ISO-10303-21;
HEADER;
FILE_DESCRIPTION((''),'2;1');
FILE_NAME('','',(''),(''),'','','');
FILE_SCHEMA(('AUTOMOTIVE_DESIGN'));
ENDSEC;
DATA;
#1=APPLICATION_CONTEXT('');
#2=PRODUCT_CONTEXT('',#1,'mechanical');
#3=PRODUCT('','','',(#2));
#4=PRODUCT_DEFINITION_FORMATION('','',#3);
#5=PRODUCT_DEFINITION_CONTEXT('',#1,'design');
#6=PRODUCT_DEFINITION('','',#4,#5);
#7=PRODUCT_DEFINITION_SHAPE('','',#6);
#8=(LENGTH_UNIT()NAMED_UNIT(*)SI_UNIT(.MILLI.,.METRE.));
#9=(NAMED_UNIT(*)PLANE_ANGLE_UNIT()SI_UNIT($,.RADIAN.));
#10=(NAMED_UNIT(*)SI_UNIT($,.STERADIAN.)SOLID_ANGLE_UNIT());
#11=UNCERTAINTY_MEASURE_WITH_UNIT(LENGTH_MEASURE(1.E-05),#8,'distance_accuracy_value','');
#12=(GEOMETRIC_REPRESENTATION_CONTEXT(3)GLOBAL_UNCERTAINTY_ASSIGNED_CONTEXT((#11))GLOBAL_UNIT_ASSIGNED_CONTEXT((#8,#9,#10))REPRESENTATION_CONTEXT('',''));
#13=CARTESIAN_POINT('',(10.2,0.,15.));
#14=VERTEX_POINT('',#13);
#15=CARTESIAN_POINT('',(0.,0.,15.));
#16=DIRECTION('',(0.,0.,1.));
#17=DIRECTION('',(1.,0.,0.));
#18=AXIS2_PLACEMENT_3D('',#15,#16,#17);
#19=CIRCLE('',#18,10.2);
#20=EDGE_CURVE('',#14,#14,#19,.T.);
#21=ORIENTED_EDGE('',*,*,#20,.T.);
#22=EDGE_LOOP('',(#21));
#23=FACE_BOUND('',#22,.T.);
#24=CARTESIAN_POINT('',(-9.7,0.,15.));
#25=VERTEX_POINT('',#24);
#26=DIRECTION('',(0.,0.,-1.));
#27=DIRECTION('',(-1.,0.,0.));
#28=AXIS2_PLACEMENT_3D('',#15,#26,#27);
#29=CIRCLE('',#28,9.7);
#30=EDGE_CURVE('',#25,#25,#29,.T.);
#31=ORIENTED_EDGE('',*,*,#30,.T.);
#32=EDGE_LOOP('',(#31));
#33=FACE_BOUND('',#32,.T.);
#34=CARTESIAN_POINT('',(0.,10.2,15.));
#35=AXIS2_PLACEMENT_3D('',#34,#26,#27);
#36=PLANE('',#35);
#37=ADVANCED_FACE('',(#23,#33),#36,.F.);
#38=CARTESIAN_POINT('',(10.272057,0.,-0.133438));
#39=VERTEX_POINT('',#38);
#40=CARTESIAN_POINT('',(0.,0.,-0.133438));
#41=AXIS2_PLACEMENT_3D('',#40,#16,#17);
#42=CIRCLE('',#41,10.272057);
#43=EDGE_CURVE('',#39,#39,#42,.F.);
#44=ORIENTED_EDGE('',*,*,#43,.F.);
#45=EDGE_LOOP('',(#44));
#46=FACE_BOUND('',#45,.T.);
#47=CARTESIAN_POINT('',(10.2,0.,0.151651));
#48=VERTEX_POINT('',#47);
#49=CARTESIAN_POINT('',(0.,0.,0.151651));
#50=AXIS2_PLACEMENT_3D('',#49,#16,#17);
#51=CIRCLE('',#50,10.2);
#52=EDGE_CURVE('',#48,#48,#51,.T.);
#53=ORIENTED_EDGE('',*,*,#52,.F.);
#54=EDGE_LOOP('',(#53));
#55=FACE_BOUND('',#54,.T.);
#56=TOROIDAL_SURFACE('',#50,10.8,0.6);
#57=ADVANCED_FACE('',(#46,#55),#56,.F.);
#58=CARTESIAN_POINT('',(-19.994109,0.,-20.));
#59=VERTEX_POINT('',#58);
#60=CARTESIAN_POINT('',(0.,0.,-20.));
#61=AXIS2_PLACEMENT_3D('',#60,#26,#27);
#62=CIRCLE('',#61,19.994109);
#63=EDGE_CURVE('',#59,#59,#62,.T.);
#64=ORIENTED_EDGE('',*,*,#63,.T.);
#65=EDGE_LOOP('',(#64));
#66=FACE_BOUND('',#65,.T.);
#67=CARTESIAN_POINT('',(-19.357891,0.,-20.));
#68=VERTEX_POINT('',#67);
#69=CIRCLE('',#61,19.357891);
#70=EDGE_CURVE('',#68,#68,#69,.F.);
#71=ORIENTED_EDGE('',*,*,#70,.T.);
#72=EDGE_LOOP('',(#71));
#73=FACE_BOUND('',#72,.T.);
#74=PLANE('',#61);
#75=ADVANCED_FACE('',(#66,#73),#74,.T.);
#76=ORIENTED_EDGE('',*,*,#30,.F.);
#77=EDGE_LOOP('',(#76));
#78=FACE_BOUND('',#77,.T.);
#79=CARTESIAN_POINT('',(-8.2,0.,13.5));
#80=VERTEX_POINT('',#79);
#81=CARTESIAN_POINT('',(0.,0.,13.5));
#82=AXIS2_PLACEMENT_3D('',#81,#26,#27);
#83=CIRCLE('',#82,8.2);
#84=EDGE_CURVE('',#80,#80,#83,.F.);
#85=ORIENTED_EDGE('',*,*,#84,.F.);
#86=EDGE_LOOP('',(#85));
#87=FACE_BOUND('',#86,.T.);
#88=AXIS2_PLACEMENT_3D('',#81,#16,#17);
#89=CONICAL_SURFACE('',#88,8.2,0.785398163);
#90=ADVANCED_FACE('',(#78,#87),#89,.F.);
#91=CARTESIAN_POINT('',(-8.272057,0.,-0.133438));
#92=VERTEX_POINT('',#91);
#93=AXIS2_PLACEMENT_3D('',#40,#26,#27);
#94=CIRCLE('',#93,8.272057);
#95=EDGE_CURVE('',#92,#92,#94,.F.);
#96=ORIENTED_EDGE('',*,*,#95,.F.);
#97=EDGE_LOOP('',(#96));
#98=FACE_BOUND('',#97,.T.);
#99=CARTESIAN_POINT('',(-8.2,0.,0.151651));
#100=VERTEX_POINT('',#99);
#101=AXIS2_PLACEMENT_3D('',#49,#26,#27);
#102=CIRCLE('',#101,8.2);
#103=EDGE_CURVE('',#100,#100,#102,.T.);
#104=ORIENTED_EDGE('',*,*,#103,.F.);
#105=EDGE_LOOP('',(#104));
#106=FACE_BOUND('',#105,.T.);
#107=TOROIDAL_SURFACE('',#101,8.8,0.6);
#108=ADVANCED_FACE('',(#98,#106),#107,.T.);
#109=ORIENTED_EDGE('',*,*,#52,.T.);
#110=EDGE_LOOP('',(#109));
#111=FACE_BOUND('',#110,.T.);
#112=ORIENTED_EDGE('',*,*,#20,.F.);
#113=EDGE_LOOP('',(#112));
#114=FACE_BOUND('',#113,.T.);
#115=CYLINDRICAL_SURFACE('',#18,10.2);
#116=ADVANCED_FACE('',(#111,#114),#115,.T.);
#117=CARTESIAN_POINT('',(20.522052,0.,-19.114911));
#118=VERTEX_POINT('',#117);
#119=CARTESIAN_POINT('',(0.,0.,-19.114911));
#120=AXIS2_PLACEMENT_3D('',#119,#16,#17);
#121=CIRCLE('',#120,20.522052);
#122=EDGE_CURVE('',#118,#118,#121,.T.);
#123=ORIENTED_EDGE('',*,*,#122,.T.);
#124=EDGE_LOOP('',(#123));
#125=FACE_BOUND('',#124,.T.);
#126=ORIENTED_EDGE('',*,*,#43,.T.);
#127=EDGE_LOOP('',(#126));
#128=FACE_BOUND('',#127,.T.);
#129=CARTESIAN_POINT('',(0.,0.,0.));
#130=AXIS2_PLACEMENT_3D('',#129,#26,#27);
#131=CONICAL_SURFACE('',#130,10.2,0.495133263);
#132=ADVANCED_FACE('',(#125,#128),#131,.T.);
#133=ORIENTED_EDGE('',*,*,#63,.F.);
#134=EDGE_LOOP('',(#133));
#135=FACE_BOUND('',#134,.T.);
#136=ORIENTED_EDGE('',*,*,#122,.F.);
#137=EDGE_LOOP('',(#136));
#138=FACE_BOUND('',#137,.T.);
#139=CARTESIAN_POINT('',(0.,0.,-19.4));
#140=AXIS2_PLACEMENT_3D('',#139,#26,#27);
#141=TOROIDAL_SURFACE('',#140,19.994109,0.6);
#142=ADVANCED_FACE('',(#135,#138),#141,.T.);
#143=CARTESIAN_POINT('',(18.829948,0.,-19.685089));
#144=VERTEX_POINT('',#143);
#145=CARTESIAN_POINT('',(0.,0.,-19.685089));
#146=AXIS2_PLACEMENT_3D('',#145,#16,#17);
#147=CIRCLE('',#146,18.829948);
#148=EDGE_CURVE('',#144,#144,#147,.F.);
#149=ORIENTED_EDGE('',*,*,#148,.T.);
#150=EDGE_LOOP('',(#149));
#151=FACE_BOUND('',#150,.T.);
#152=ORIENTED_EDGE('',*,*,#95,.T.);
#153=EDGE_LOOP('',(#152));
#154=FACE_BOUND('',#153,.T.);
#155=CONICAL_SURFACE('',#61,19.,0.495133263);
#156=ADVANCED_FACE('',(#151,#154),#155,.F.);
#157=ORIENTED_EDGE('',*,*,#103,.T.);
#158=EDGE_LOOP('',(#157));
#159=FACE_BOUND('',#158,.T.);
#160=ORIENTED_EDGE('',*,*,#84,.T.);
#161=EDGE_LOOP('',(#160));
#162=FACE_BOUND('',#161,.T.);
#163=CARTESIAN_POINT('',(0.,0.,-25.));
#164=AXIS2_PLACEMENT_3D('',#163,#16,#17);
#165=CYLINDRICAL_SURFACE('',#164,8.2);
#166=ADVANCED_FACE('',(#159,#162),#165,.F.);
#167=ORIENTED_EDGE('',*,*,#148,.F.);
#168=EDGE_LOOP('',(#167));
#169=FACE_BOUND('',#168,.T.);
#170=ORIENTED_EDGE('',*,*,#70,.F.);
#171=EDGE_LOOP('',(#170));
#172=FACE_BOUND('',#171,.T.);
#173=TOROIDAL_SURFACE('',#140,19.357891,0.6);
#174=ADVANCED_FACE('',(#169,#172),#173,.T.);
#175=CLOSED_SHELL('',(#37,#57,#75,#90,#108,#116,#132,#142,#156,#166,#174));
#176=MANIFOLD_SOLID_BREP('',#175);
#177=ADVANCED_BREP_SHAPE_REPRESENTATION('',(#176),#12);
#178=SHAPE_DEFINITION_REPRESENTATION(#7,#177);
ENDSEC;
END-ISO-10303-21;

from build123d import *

# Parameters (mm, degrees)
SKETCH3_R          = 8.2
CUT_EXTRUDE1_DEPTH = 40
CHAMFER1_SIZE      = 1.5
FILLET2_R          = 0.6
FILLET3_R          = 0.6
FILLET4_R          = 0.6


with BuildPart() as part:
    # Sketch2 → Revolve1 (revolve)
    with BuildSketch(Plane(origin=(0, 0, 0), x_dir=(0, 0, -1), z_dir=(1, 0, 0)), mode=Mode.PRIVATE) as revolve1_sk:
        Polygon((-15, 10.2), (-15, 0), (0, 0), (0, 8.2), (20, 19), (20, 21), (0, 10.2), align=None)
    revolve(revolve1_sk.sketch.rotate(Axis((0, 0, 15), (0, 0, -1)), 90), axis=Axis((0, 0, 15), (0, 0, -1)))

    # Sketch3 → Cut-Extrude1 (cut)
    with BuildSketch(Plane.XY.offset(15)):
        Circle(SKETCH3_R)
    extrude(amount=-CUT_EXTRUDE1_DEPTH, mode=Mode.SUBTRACT)

    # Chamfer1
    chamfer1_edges = [part.edges().sort_by_distance(p)[0] for p in [
        (-8.2, 0, 15),
    ]]
    chamfer(chamfer1_edges, length=CHAMFER1_SIZE)

    # Fillet2
    fillet2_edges = [part.edges().sort_by_distance(p)[0] for p in [
        (-21, 0, -20),
        (-19, 0, -20),
    ]]
    fillet(fillet2_edges, radius=FILLET2_R)

    # Fillet3
    fillet3_edges = [part.edges().sort_by_distance(p)[0] for p in [
        (-10.2, 0, 0),
    ]]
    fillet(fillet3_edges, radius=FILLET3_R)

    # Fillet4
    fillet4_edges = [part.edges().sort_by_distance(p)[0] for p in [
        (-8.2, 0, 0),
    ]]
    fillet(fillet4_edges, radius=FILLET4_R)


solid = part.part
